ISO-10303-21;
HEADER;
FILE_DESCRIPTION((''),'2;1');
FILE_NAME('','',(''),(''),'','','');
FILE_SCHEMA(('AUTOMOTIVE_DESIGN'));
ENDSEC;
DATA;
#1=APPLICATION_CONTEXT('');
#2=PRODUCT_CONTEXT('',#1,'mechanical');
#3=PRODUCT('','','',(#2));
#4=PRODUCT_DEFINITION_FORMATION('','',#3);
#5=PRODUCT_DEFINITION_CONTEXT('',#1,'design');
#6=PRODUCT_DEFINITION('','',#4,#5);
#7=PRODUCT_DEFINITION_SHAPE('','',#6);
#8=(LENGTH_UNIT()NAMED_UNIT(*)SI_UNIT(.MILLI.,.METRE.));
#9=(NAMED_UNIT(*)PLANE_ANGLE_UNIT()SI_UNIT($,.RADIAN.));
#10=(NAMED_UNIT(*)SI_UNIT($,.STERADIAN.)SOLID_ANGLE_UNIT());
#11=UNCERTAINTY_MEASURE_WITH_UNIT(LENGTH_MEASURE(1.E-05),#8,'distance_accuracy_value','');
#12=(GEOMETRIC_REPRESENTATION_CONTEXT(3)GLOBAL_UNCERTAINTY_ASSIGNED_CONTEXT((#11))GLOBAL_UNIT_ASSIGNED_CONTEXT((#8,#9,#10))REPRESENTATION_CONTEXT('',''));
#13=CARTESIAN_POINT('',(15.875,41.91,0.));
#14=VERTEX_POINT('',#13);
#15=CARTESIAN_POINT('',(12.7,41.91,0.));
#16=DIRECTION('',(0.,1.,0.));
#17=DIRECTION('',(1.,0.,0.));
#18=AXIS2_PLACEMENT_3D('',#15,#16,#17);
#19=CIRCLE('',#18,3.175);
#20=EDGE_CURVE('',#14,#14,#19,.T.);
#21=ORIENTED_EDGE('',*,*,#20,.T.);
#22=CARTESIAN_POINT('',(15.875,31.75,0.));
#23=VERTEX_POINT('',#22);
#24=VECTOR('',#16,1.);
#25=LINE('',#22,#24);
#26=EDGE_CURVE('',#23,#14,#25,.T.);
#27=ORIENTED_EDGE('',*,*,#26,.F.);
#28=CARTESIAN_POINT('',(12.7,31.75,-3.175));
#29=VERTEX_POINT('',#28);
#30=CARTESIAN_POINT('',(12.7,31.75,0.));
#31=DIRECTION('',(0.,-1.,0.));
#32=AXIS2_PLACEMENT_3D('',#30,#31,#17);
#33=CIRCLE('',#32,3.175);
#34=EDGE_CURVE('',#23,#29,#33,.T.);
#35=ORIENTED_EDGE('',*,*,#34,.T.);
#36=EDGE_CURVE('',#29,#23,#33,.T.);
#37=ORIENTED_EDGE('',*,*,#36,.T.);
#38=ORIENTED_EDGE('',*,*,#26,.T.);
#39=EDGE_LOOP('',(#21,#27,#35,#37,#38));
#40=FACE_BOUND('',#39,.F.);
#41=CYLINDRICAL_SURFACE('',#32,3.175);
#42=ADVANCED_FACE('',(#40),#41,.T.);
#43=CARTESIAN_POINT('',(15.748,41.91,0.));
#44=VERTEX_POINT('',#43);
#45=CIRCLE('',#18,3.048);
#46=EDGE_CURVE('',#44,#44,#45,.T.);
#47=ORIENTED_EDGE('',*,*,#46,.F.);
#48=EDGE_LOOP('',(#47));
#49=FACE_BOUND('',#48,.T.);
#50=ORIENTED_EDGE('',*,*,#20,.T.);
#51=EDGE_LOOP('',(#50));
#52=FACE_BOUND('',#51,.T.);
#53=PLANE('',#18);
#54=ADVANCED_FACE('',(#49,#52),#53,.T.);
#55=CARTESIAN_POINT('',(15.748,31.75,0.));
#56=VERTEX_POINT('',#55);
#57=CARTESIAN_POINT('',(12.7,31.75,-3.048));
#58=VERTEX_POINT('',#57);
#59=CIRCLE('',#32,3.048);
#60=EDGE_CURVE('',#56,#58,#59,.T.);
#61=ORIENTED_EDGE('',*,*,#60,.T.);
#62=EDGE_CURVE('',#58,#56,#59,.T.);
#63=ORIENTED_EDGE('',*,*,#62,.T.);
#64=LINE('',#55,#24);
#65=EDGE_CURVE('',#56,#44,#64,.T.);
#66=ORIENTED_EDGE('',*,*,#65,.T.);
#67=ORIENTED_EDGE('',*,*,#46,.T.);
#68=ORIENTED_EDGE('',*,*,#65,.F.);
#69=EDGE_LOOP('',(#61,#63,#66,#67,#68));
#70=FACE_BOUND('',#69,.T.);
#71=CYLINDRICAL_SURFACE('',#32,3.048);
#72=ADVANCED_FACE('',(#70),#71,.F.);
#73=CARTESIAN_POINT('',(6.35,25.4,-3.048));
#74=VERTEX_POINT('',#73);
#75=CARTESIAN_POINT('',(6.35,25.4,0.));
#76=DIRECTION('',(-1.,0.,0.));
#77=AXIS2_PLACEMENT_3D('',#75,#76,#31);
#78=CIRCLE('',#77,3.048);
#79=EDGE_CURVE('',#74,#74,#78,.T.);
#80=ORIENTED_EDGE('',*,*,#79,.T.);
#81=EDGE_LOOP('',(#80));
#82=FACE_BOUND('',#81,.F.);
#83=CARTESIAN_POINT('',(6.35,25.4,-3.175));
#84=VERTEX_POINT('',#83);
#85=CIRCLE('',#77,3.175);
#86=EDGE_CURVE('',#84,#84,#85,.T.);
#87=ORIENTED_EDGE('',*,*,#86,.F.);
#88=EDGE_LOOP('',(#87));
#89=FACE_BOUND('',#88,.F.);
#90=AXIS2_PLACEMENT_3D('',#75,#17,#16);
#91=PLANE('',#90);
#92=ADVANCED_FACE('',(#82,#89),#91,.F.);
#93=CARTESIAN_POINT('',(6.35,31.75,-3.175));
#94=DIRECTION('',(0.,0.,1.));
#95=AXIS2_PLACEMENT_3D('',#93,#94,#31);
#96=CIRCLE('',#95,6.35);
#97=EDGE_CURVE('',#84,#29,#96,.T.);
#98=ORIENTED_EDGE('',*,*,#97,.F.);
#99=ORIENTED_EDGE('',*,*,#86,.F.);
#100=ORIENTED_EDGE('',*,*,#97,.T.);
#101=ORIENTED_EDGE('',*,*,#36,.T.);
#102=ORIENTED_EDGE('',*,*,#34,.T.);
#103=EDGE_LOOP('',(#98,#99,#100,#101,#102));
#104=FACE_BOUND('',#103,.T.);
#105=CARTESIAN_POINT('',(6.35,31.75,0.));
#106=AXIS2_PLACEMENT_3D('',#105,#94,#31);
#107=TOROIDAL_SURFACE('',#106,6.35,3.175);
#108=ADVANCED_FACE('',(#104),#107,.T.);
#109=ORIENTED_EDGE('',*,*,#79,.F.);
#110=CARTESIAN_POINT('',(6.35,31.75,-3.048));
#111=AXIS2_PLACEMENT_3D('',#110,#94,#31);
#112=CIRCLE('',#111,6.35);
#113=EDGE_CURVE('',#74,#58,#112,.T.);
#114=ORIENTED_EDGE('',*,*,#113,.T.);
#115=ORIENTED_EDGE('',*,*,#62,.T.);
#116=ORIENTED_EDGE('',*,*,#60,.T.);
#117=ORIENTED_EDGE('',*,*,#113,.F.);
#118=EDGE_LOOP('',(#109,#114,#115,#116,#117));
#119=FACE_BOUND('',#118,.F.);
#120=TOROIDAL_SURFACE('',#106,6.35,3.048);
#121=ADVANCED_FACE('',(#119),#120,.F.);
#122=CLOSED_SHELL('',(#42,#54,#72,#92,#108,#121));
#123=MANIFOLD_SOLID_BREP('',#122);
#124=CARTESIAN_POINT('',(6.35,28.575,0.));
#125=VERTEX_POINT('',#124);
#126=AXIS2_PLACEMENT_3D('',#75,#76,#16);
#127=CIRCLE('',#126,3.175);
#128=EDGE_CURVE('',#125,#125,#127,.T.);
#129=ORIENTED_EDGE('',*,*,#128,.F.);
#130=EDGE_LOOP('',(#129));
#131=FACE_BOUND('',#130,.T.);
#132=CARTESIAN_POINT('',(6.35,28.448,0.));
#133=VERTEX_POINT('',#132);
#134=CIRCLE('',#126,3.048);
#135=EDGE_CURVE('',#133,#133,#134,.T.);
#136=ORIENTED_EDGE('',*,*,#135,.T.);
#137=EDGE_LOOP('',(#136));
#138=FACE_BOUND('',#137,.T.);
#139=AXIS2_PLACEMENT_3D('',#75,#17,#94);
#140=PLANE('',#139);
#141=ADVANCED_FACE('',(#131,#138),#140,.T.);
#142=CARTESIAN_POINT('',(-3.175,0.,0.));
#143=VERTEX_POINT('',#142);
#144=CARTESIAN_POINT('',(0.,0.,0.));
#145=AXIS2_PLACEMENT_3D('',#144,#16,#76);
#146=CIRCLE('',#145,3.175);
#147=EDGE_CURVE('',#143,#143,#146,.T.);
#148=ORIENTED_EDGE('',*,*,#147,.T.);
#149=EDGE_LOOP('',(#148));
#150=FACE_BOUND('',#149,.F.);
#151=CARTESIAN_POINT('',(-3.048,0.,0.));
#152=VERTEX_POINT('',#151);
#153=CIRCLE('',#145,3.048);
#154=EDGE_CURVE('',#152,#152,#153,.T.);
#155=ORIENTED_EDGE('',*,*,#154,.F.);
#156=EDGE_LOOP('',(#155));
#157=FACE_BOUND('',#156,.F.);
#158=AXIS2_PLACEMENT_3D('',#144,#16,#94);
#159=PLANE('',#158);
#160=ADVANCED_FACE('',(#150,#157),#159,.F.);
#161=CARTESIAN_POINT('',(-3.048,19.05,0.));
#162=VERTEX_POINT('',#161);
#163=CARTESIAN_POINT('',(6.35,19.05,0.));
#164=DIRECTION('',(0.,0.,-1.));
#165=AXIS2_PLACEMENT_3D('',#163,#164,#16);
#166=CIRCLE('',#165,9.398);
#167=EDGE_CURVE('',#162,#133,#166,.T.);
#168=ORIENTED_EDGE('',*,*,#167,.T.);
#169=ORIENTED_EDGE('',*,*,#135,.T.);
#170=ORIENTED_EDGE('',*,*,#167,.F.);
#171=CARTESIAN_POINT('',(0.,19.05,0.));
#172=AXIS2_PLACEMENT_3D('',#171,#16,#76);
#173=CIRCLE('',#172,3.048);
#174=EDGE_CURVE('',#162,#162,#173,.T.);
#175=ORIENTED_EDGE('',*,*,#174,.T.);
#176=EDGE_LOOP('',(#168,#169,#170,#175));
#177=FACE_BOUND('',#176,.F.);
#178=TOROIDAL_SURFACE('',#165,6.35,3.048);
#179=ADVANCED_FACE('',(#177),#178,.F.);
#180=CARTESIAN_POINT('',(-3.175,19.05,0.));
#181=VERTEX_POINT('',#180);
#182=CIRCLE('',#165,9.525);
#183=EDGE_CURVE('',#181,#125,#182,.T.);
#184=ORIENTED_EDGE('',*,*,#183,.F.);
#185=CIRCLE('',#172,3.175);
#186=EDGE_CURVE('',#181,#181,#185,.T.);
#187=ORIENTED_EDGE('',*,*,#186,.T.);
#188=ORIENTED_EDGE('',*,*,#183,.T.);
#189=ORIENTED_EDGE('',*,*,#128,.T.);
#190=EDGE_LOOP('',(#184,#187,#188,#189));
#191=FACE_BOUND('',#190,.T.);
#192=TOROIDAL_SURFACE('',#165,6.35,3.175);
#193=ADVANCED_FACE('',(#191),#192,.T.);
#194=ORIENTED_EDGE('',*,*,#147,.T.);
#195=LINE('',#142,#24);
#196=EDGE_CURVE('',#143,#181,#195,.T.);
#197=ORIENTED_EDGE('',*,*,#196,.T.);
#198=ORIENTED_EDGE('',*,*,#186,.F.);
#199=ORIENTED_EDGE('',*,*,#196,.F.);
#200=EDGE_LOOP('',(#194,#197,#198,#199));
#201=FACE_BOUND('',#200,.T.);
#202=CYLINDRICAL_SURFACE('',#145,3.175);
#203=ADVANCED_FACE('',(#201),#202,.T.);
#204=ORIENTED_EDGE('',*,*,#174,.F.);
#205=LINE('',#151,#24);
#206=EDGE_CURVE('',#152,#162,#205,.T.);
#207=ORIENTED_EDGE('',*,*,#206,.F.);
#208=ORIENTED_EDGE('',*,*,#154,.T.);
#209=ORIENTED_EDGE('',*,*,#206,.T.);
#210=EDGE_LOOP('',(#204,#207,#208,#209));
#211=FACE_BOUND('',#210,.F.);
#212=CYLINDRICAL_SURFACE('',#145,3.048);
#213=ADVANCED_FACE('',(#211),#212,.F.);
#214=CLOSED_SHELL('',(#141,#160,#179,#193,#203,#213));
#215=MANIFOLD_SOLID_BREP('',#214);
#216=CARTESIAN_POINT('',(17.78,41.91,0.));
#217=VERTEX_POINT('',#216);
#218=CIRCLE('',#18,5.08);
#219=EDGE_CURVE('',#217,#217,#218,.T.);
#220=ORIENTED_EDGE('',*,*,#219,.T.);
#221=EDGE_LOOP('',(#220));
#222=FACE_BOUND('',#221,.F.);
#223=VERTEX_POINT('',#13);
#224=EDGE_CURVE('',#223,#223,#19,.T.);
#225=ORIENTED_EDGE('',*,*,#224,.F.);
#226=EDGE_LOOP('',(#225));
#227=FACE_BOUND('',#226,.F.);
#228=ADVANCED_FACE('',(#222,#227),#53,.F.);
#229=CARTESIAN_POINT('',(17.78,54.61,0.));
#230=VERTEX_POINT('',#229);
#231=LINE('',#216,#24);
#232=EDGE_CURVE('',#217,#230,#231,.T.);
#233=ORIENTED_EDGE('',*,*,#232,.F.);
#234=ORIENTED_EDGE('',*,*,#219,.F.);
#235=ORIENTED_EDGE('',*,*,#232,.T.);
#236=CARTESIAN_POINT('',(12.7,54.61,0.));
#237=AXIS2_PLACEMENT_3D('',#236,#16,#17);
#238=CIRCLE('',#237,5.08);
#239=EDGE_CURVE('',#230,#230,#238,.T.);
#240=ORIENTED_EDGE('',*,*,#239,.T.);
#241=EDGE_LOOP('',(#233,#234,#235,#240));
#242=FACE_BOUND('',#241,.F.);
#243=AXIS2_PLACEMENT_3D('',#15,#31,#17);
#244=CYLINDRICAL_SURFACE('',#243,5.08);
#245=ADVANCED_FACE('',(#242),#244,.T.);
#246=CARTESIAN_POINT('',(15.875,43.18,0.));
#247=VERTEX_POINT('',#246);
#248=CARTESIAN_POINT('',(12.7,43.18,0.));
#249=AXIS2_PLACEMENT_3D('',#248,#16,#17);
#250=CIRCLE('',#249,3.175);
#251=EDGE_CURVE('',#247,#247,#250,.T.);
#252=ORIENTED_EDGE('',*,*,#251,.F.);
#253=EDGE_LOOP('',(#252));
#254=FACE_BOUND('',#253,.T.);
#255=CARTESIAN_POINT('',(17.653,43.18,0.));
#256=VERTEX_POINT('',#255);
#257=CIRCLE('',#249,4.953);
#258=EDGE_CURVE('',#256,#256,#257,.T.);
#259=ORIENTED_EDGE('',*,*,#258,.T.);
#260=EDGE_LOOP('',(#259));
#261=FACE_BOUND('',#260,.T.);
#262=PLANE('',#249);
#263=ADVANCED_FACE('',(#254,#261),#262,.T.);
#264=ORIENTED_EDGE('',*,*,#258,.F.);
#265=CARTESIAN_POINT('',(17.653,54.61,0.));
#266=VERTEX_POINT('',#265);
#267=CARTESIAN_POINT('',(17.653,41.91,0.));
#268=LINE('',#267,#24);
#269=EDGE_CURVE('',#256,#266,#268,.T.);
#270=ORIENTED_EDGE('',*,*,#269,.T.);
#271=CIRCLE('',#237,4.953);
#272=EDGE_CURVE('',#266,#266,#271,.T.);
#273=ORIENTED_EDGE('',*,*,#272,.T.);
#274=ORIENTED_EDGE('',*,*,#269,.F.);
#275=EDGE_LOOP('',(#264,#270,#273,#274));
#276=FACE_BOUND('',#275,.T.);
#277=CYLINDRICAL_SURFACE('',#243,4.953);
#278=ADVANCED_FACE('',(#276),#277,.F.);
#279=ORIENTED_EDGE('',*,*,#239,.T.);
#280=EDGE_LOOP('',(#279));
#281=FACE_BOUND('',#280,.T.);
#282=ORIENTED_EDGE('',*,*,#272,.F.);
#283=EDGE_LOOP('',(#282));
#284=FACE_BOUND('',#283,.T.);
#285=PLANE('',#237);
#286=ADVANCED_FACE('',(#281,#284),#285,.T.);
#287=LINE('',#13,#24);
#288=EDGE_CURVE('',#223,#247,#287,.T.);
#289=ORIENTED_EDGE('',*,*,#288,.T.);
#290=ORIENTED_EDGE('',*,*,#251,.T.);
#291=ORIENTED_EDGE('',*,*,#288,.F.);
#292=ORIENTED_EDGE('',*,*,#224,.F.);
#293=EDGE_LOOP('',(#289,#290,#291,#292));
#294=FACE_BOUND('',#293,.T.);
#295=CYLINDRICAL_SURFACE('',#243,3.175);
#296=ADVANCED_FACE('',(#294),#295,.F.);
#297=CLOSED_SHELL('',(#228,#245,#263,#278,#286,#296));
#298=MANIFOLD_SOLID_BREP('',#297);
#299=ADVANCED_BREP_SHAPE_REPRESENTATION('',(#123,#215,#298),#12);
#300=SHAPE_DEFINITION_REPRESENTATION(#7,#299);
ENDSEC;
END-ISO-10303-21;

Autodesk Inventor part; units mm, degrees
ref_plane "YZ Plane" through (0, 0, 0) normal (1, 0, 0) x (0, 1, 0)
ref_plane "XZ Plane" through (0, 0, 0) normal (0, 1, 0) x (-1, 0, 0)
ref_plane "XY Plane" through (0, 0, 0) normal (0, 0, 1) x (1, 0, 0)
sketch "Sketch5" plane through (0, 0, 0) normal (0, 0, 1) x (1, 0, 0)
  line L0 (0, 0) -> (0, 19.05)
  line L1 (0, 0) -> (0, 19.05)
  arc A0 (6.35, 25.4) -> (0, 19.05) centre (6.35, 19.05) ccw
  arc A1 (6.35, 25.4) -> (12.7, 31.75) centre (6.35, 31.75) ccw
  line L2 (12.7, 31.75) -> (12.7, 38.1)
  dimension "d17" = 19.05
sketch "Sketch6" plane through (0, 0, 0) normal (0, 1, 0) x (-1, 0, 0)
  circle A0 centre (0, 0) radius 3.175
  circle A1 centre (0, 0) radius 3.048
  dimension "d23" = 6.35
  dimension "d24" = 6.096
sweep "Sweep2" add profiles "Sketch6" path "Sketch5" path curves L0 A0
sketch "Sketch7" plane through (0, 0, 0) normal (0, 0, 1) x (1, 0, 0)
  line L0 (6.35, 22.225) -> (6.35, 28.575) projected
  arc A0 (6.35, 25.4) -> (12.7, 31.75) centre (6.35, 31.75) ccw
  point P0 (0, 0)
sketch "Sketch8" plane through (6.35, 25.4, 0) normal (1, 0, 0) x (0, 0, -1)
  circle A0 centre (0, 0) radius 3.175 projected
  circle A1 centre (0, 0) radius 3.048 projected
  point P0 (0, -25.4)
sweep "Sweep3" add profiles "Sketch8" path "Sketch7" separate body path curves A0
sketch "Sketch10" plane through (12.7, 31.75, 0) normal (0, 1, 0) x (1, 0, 0)
  circle A0 centre (0, 0) radius 3.048 projected
  circle A1 centre (0, 0) radius 3.175 projected
  point P0 (-12.7, 0)
extrude "Extrusion6" add sketch "Sketch10" along normal blind 10.16 bodies 2
sketch "Sketch11" plane through (12.7, 41.91, 0) normal (0, 1, 0) x (1, 0, 0)
  circle A0 centre (0, 0) radius 3.048 projected
  circle A1 centre (0, 0) radius 3.175 projected
  circle A2 centre (0, 0) radius 5.08
  circle A3 centre (0, 0) radius 4.953
  point P0 (-12.7, 0)
  dimension "d38" = 10.16
  dimension "d39" = 9.906
extrude "Extrusion7" add sketch "Sketch11" along normal blind 1.27 contours A3 bodies 2
extrude "Extrusion8" add sketch "Sketch11" along normal blind 12.7 contours A2 bodies 2
